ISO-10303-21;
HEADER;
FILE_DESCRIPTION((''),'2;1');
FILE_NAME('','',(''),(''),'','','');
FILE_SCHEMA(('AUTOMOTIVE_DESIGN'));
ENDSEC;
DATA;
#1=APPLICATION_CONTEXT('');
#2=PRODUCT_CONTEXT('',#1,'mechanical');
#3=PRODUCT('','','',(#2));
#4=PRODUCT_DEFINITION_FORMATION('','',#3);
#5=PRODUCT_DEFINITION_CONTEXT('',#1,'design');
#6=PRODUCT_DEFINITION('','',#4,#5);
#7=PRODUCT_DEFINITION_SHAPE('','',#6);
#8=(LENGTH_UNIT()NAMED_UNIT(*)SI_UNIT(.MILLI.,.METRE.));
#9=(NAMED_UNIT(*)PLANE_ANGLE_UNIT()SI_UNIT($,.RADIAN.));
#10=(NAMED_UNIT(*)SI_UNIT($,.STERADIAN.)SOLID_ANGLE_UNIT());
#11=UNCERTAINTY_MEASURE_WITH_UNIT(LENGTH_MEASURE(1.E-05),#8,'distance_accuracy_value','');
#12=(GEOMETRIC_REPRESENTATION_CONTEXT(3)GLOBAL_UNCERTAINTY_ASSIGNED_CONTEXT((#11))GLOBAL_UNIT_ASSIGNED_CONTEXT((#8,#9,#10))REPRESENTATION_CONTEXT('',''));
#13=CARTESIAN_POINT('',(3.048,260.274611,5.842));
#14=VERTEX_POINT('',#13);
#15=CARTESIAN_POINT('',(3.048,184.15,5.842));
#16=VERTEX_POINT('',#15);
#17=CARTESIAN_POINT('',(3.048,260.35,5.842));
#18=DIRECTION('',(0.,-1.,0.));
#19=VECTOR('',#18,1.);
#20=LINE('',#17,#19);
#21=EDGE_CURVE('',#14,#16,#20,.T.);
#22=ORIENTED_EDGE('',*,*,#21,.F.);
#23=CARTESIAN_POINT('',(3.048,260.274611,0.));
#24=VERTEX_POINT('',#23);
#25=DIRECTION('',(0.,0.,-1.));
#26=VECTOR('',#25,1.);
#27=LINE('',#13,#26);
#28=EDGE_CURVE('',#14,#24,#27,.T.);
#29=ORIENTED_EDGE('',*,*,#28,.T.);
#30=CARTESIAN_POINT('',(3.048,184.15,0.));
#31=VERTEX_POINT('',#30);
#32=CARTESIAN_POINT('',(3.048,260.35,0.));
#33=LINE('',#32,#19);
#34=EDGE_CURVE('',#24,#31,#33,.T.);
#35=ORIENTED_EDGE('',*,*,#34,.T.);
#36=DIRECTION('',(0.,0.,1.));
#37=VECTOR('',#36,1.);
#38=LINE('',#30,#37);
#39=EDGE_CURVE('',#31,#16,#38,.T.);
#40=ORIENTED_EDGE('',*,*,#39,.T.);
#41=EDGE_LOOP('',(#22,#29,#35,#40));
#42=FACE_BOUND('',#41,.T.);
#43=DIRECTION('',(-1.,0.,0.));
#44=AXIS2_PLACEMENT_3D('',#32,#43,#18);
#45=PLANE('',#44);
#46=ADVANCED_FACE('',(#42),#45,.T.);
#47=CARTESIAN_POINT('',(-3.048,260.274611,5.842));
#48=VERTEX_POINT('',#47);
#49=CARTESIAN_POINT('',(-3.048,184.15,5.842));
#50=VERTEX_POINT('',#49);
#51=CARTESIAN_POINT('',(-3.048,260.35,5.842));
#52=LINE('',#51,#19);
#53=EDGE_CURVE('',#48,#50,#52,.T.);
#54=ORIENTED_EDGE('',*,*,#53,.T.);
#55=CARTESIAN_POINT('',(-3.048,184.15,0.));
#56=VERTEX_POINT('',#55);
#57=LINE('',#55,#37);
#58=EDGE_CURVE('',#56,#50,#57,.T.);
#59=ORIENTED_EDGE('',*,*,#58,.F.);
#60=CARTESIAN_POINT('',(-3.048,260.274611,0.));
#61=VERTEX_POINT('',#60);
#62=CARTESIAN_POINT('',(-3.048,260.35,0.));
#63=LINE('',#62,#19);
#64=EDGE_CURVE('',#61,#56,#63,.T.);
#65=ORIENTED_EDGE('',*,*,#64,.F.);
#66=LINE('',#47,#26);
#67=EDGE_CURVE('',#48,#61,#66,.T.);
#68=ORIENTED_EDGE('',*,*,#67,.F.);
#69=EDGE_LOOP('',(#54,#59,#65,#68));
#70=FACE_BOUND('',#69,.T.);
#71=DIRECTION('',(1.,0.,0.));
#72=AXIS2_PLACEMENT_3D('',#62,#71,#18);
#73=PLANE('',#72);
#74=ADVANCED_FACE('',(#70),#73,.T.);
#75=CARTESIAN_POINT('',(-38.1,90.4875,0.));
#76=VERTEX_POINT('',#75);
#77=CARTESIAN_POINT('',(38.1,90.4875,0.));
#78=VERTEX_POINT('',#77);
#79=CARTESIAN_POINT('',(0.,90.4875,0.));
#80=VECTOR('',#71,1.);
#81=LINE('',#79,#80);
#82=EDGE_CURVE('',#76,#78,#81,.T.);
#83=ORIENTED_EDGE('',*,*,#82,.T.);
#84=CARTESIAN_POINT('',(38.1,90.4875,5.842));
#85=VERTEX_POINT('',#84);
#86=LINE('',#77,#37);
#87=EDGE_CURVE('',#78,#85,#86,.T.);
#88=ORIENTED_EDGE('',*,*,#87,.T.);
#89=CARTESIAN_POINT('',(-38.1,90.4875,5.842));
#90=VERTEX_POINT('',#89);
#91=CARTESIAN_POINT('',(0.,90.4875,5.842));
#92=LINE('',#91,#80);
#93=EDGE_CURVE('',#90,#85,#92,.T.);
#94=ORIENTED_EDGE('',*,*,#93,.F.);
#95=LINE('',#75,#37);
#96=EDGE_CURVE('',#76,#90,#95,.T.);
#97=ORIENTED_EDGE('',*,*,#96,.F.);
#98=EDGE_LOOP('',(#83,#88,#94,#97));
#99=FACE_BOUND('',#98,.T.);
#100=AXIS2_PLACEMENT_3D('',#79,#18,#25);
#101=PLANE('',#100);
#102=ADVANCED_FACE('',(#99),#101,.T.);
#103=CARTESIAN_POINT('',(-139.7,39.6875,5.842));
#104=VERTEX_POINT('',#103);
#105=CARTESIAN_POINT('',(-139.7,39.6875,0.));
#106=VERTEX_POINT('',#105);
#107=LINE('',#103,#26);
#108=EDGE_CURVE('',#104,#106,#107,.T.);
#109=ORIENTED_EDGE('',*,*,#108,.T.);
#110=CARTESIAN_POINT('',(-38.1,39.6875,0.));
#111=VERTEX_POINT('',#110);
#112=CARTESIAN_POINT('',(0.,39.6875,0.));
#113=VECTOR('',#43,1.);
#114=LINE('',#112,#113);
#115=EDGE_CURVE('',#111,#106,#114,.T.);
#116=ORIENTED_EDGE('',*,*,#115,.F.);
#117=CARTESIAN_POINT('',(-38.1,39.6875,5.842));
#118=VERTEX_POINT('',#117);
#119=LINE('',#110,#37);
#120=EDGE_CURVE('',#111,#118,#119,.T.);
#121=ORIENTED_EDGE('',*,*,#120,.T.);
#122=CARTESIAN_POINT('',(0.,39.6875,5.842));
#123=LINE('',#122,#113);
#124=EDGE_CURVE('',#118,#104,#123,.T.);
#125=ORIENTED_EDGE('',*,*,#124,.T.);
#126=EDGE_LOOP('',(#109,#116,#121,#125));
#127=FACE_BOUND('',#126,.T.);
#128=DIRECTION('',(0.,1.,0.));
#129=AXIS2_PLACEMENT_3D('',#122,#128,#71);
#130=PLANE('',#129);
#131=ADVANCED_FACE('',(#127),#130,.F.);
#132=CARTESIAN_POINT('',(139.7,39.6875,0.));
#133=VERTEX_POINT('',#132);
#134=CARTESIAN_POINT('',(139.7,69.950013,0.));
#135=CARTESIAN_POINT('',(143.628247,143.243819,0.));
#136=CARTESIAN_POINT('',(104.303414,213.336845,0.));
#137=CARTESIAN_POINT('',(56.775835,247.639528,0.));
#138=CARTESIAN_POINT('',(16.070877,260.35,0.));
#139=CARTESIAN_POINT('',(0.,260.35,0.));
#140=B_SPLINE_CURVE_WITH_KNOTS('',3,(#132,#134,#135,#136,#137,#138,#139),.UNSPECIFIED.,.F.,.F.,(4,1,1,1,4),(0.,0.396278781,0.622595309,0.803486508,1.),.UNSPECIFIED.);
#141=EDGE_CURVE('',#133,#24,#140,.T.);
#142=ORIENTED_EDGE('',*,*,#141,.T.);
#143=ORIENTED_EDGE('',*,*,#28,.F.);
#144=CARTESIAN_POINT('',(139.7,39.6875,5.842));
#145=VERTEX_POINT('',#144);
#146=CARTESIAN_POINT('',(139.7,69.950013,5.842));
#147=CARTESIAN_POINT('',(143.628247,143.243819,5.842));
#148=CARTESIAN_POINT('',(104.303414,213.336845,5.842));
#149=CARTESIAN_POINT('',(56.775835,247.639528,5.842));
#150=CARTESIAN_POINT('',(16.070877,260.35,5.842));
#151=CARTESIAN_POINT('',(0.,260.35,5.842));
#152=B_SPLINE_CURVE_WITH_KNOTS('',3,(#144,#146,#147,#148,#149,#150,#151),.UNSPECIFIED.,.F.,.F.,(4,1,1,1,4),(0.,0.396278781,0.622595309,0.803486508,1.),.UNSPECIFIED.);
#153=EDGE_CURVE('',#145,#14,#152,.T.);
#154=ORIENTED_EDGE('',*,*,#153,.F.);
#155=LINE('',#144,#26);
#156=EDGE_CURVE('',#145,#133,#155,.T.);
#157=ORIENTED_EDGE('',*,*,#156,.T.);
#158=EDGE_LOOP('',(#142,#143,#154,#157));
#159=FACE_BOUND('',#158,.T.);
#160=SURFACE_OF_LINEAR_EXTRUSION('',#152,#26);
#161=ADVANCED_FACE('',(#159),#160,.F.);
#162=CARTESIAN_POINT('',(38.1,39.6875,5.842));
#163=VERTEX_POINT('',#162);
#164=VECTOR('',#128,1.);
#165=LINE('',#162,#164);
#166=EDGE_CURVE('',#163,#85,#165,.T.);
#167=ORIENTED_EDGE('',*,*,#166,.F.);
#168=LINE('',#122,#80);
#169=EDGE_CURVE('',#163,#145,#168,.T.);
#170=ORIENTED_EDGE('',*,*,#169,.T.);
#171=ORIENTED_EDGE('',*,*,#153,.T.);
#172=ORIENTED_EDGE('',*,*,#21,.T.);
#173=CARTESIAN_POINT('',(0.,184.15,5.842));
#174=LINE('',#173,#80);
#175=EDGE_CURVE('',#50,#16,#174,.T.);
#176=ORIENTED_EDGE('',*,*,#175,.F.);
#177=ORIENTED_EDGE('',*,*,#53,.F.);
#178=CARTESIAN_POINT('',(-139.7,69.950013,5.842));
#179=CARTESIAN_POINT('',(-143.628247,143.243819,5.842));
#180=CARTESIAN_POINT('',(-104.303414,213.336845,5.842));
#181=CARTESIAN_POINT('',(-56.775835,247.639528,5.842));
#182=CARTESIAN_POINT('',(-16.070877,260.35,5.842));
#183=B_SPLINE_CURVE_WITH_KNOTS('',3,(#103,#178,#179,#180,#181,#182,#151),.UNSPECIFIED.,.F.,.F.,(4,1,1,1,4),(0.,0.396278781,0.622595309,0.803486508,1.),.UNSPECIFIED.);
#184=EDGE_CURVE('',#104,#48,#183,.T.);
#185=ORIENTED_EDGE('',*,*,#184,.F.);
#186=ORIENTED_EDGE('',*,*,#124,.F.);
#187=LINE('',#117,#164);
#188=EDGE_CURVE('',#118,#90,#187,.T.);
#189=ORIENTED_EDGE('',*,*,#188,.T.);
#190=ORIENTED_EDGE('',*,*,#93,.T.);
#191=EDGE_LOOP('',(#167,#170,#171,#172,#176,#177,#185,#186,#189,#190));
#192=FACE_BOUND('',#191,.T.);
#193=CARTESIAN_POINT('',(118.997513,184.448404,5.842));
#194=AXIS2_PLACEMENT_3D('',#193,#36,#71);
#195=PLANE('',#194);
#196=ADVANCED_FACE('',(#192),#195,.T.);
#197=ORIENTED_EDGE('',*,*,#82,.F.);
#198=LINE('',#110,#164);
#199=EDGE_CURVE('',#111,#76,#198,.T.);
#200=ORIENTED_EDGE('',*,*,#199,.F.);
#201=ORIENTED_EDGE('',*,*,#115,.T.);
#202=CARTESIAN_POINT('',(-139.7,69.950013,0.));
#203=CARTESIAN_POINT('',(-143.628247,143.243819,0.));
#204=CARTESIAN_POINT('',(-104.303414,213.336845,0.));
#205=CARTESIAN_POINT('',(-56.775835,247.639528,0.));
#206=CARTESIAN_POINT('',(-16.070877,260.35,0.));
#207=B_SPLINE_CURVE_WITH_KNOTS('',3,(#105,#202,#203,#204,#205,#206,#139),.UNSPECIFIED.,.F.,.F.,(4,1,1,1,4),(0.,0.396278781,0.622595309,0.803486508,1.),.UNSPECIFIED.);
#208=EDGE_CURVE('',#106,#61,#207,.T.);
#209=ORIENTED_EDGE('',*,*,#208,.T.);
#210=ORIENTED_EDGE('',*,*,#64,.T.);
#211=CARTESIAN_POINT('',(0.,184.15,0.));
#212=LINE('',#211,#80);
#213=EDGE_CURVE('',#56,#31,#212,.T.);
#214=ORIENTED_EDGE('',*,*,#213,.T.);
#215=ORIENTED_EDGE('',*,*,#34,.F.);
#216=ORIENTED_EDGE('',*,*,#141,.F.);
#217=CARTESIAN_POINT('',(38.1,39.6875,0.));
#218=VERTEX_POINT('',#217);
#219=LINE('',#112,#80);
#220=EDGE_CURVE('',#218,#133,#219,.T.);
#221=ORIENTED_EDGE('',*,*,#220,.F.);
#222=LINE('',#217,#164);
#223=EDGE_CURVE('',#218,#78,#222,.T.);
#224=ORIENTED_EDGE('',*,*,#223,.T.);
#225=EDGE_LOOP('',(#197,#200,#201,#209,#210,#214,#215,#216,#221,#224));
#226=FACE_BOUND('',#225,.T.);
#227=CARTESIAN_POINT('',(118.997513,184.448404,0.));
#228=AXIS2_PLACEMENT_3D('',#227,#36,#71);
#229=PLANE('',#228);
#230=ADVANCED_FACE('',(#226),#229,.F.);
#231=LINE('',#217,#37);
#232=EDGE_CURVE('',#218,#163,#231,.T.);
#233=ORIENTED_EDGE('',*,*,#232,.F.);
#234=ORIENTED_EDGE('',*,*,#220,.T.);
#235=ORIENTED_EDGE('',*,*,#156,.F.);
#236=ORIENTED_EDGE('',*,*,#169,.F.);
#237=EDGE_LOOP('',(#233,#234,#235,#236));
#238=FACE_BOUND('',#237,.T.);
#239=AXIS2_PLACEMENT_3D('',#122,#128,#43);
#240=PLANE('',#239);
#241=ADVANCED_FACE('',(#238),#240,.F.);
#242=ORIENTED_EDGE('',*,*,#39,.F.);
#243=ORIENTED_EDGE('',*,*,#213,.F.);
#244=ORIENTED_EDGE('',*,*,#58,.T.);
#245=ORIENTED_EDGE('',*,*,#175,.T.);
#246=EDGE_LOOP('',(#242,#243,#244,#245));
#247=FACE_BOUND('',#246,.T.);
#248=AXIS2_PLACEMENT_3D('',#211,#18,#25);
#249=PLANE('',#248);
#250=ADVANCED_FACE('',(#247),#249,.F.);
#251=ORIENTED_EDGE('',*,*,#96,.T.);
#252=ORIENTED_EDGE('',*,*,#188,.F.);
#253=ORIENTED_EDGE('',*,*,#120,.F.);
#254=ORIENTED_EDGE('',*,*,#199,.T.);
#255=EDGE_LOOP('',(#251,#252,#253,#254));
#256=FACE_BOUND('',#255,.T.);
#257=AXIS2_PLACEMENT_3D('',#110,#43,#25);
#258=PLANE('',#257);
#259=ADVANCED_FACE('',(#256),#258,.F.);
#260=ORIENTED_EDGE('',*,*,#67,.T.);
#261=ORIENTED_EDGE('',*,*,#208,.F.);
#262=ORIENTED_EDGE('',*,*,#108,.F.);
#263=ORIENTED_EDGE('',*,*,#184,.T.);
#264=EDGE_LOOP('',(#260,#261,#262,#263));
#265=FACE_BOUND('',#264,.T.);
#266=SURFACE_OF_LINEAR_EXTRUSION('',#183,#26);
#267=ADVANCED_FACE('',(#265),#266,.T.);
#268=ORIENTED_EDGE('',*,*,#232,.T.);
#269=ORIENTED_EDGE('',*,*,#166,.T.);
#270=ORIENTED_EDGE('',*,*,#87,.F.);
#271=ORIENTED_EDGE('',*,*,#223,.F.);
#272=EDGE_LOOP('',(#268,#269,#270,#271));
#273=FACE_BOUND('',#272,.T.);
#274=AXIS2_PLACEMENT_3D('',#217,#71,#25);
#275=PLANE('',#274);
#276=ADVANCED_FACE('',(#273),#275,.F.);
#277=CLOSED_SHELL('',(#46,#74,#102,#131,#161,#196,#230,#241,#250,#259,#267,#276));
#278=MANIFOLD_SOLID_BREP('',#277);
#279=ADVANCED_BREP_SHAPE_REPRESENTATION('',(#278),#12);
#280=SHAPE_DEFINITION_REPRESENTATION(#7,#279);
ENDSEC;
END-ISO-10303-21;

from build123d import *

# Parameters (mm, degrees)
BOSS_EXTRUDE1_DEPTH = 5.842
SKETCH3_W           = 38.1
SKETCH3_H           = 50.8
SKETCH3_W_2         = 3.048
SKETCH3_H_2         = 76.2
CUT_EXTRUDE1_DEPTH  = 296.629932067


with BuildPart() as part:
    # Sketch2 → Boss-Extrude1 (new body)
    with BuildSketch(Plane.XY):
        with BuildLine():
            Line((0, 260.35), (0, 39.6875))
            Line((0, 39.6875), (139.7, 39.6875))
            add(Edge.make_bspline(
                [(0, 260.35), (16.070876529, 260.35), (56.775834588, 247.639527653), (104.303414455, 213.336844908), (143.628247025, 143.243818772), (139.7, 69.950012947), (139.7, 39.6875)],
                knots=[0, 0, 0, 0, 0.196513492, 0.377404691, 0.603721219, 1, 1, 1, 1], degree=3))
        make_face()
    extrude(amount=BOSS_EXTRUDE1_DEPTH)

    # Sketch3 → Cut-Extrude1 (cut, through all)
    with BuildSketch(Plane.XY.offset(5.842)):
        with Locations((19.05, 65.0875)):
            Rectangle(SKETCH3_W, SKETCH3_H)
        with Locations((1.524, 222.25)):
            Rectangle(SKETCH3_W_2, SKETCH3_H_2)
    extrude(amount=-CUT_EXTRUDE1_DEPTH, mode=Mode.SUBTRACT)

    # Mirror1: part across plane


with BuildPart() as part_1:
    add(part.part)
    add(part.part.mirror(Plane(origin=(0, 0, 0), x_dir=(0, 0, 1), z_dir=(1, 0, 0))))


solid = part_1.part
